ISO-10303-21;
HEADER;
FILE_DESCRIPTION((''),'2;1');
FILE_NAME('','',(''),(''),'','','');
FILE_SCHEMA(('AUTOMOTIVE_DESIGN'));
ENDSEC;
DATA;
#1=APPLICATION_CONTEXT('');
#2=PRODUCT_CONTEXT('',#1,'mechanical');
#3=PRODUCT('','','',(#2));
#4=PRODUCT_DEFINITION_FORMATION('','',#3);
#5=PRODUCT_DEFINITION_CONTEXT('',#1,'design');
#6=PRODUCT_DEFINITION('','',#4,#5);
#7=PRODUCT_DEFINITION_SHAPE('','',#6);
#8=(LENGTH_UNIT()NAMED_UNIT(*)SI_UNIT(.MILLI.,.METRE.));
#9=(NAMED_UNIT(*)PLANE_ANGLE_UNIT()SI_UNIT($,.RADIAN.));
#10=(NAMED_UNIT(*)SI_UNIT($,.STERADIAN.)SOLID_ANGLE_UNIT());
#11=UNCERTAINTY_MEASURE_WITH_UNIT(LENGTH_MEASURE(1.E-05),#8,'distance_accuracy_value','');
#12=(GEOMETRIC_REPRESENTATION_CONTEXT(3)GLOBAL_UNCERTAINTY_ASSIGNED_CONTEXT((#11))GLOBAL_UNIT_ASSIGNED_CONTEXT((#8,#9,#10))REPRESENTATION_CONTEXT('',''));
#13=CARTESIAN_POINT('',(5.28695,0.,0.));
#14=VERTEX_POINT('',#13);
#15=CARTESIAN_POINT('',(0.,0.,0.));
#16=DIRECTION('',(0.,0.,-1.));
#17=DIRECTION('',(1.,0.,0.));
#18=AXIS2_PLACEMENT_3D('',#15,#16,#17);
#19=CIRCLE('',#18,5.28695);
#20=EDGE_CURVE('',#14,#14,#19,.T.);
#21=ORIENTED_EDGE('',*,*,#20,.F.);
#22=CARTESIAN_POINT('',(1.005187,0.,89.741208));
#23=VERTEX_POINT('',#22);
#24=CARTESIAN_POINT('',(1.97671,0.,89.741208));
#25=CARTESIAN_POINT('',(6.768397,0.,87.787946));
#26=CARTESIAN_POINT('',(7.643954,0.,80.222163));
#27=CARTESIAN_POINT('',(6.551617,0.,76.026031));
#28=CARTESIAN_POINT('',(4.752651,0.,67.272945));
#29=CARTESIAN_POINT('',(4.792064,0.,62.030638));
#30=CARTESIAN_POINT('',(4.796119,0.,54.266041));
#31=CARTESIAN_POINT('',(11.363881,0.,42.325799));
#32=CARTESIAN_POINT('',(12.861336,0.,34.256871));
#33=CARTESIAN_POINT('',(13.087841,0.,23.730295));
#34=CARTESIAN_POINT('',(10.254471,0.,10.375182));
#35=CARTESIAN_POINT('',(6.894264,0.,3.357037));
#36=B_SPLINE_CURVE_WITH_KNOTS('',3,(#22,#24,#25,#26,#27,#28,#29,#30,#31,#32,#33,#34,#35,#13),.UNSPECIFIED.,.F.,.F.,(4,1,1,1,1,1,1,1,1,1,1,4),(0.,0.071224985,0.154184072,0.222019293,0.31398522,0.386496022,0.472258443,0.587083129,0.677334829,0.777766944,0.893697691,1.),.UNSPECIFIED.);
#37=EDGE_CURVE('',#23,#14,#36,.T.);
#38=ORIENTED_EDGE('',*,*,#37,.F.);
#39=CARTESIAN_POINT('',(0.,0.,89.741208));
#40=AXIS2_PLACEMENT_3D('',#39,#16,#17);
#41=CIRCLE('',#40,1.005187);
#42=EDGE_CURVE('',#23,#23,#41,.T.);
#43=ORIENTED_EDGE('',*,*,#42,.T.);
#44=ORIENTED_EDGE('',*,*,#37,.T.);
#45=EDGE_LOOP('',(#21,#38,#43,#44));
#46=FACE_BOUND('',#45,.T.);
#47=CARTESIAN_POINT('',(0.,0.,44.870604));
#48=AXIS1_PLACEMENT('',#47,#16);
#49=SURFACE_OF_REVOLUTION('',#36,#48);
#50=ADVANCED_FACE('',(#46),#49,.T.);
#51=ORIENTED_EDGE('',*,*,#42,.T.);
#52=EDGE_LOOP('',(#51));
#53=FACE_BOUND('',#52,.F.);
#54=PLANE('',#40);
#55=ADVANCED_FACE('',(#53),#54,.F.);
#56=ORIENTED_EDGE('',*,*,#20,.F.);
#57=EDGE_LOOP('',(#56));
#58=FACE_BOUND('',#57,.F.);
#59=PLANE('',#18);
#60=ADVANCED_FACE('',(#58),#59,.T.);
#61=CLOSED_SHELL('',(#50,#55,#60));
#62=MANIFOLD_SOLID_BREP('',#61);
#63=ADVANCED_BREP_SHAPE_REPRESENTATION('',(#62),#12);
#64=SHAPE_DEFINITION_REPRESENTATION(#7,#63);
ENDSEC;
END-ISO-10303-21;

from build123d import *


with BuildPart() as f1:
    # F0 (on Front) → F1 (revolve)
    with BuildSketch(Plane.XZ):
        with BuildLine():
            Line((0, 89.7412076592), (0, 0))
            Line((0, 0), (5.2869501524, 0))
            add(Edge.make_bspline(
                [(1.0051872814, 89.7412076592), (1.9767102785, 89.7412076592), (6.7683969744, 87.7879464468), (7.6439540301, 80.2221630789), (6.5516169566, 76.0260311835), (4.7526514389, 67.2729453647), (4.7920637371, 62.0306380242), (4.7961190222, 54.2660407471), (11.363880633, 42.3257994089), (12.8613358665, 34.256871251), (13.0878409328, 23.7302954194), (10.2544714995, 10.3751824377), (6.894264119, 3.3570373526), (5.2869501524, 0)],
                knots=[0, 0, 0, 0, 0.0712249845, 0.1541840716, 0.2220192926, 0.3139852196, 0.3864960216, 0.4722584433, 0.5870831289, 0.6773348289, 0.7777669443, 0.8936976909, 1, 1, 1, 1], degree=3))
            Line((1.0051872814, 89.7412076592), (0, 89.7412076592))
        make_face()
    revolve(axis=Axis((0, 0, 44.8706038296), (0, 0, -1)))


solid = f1.part
